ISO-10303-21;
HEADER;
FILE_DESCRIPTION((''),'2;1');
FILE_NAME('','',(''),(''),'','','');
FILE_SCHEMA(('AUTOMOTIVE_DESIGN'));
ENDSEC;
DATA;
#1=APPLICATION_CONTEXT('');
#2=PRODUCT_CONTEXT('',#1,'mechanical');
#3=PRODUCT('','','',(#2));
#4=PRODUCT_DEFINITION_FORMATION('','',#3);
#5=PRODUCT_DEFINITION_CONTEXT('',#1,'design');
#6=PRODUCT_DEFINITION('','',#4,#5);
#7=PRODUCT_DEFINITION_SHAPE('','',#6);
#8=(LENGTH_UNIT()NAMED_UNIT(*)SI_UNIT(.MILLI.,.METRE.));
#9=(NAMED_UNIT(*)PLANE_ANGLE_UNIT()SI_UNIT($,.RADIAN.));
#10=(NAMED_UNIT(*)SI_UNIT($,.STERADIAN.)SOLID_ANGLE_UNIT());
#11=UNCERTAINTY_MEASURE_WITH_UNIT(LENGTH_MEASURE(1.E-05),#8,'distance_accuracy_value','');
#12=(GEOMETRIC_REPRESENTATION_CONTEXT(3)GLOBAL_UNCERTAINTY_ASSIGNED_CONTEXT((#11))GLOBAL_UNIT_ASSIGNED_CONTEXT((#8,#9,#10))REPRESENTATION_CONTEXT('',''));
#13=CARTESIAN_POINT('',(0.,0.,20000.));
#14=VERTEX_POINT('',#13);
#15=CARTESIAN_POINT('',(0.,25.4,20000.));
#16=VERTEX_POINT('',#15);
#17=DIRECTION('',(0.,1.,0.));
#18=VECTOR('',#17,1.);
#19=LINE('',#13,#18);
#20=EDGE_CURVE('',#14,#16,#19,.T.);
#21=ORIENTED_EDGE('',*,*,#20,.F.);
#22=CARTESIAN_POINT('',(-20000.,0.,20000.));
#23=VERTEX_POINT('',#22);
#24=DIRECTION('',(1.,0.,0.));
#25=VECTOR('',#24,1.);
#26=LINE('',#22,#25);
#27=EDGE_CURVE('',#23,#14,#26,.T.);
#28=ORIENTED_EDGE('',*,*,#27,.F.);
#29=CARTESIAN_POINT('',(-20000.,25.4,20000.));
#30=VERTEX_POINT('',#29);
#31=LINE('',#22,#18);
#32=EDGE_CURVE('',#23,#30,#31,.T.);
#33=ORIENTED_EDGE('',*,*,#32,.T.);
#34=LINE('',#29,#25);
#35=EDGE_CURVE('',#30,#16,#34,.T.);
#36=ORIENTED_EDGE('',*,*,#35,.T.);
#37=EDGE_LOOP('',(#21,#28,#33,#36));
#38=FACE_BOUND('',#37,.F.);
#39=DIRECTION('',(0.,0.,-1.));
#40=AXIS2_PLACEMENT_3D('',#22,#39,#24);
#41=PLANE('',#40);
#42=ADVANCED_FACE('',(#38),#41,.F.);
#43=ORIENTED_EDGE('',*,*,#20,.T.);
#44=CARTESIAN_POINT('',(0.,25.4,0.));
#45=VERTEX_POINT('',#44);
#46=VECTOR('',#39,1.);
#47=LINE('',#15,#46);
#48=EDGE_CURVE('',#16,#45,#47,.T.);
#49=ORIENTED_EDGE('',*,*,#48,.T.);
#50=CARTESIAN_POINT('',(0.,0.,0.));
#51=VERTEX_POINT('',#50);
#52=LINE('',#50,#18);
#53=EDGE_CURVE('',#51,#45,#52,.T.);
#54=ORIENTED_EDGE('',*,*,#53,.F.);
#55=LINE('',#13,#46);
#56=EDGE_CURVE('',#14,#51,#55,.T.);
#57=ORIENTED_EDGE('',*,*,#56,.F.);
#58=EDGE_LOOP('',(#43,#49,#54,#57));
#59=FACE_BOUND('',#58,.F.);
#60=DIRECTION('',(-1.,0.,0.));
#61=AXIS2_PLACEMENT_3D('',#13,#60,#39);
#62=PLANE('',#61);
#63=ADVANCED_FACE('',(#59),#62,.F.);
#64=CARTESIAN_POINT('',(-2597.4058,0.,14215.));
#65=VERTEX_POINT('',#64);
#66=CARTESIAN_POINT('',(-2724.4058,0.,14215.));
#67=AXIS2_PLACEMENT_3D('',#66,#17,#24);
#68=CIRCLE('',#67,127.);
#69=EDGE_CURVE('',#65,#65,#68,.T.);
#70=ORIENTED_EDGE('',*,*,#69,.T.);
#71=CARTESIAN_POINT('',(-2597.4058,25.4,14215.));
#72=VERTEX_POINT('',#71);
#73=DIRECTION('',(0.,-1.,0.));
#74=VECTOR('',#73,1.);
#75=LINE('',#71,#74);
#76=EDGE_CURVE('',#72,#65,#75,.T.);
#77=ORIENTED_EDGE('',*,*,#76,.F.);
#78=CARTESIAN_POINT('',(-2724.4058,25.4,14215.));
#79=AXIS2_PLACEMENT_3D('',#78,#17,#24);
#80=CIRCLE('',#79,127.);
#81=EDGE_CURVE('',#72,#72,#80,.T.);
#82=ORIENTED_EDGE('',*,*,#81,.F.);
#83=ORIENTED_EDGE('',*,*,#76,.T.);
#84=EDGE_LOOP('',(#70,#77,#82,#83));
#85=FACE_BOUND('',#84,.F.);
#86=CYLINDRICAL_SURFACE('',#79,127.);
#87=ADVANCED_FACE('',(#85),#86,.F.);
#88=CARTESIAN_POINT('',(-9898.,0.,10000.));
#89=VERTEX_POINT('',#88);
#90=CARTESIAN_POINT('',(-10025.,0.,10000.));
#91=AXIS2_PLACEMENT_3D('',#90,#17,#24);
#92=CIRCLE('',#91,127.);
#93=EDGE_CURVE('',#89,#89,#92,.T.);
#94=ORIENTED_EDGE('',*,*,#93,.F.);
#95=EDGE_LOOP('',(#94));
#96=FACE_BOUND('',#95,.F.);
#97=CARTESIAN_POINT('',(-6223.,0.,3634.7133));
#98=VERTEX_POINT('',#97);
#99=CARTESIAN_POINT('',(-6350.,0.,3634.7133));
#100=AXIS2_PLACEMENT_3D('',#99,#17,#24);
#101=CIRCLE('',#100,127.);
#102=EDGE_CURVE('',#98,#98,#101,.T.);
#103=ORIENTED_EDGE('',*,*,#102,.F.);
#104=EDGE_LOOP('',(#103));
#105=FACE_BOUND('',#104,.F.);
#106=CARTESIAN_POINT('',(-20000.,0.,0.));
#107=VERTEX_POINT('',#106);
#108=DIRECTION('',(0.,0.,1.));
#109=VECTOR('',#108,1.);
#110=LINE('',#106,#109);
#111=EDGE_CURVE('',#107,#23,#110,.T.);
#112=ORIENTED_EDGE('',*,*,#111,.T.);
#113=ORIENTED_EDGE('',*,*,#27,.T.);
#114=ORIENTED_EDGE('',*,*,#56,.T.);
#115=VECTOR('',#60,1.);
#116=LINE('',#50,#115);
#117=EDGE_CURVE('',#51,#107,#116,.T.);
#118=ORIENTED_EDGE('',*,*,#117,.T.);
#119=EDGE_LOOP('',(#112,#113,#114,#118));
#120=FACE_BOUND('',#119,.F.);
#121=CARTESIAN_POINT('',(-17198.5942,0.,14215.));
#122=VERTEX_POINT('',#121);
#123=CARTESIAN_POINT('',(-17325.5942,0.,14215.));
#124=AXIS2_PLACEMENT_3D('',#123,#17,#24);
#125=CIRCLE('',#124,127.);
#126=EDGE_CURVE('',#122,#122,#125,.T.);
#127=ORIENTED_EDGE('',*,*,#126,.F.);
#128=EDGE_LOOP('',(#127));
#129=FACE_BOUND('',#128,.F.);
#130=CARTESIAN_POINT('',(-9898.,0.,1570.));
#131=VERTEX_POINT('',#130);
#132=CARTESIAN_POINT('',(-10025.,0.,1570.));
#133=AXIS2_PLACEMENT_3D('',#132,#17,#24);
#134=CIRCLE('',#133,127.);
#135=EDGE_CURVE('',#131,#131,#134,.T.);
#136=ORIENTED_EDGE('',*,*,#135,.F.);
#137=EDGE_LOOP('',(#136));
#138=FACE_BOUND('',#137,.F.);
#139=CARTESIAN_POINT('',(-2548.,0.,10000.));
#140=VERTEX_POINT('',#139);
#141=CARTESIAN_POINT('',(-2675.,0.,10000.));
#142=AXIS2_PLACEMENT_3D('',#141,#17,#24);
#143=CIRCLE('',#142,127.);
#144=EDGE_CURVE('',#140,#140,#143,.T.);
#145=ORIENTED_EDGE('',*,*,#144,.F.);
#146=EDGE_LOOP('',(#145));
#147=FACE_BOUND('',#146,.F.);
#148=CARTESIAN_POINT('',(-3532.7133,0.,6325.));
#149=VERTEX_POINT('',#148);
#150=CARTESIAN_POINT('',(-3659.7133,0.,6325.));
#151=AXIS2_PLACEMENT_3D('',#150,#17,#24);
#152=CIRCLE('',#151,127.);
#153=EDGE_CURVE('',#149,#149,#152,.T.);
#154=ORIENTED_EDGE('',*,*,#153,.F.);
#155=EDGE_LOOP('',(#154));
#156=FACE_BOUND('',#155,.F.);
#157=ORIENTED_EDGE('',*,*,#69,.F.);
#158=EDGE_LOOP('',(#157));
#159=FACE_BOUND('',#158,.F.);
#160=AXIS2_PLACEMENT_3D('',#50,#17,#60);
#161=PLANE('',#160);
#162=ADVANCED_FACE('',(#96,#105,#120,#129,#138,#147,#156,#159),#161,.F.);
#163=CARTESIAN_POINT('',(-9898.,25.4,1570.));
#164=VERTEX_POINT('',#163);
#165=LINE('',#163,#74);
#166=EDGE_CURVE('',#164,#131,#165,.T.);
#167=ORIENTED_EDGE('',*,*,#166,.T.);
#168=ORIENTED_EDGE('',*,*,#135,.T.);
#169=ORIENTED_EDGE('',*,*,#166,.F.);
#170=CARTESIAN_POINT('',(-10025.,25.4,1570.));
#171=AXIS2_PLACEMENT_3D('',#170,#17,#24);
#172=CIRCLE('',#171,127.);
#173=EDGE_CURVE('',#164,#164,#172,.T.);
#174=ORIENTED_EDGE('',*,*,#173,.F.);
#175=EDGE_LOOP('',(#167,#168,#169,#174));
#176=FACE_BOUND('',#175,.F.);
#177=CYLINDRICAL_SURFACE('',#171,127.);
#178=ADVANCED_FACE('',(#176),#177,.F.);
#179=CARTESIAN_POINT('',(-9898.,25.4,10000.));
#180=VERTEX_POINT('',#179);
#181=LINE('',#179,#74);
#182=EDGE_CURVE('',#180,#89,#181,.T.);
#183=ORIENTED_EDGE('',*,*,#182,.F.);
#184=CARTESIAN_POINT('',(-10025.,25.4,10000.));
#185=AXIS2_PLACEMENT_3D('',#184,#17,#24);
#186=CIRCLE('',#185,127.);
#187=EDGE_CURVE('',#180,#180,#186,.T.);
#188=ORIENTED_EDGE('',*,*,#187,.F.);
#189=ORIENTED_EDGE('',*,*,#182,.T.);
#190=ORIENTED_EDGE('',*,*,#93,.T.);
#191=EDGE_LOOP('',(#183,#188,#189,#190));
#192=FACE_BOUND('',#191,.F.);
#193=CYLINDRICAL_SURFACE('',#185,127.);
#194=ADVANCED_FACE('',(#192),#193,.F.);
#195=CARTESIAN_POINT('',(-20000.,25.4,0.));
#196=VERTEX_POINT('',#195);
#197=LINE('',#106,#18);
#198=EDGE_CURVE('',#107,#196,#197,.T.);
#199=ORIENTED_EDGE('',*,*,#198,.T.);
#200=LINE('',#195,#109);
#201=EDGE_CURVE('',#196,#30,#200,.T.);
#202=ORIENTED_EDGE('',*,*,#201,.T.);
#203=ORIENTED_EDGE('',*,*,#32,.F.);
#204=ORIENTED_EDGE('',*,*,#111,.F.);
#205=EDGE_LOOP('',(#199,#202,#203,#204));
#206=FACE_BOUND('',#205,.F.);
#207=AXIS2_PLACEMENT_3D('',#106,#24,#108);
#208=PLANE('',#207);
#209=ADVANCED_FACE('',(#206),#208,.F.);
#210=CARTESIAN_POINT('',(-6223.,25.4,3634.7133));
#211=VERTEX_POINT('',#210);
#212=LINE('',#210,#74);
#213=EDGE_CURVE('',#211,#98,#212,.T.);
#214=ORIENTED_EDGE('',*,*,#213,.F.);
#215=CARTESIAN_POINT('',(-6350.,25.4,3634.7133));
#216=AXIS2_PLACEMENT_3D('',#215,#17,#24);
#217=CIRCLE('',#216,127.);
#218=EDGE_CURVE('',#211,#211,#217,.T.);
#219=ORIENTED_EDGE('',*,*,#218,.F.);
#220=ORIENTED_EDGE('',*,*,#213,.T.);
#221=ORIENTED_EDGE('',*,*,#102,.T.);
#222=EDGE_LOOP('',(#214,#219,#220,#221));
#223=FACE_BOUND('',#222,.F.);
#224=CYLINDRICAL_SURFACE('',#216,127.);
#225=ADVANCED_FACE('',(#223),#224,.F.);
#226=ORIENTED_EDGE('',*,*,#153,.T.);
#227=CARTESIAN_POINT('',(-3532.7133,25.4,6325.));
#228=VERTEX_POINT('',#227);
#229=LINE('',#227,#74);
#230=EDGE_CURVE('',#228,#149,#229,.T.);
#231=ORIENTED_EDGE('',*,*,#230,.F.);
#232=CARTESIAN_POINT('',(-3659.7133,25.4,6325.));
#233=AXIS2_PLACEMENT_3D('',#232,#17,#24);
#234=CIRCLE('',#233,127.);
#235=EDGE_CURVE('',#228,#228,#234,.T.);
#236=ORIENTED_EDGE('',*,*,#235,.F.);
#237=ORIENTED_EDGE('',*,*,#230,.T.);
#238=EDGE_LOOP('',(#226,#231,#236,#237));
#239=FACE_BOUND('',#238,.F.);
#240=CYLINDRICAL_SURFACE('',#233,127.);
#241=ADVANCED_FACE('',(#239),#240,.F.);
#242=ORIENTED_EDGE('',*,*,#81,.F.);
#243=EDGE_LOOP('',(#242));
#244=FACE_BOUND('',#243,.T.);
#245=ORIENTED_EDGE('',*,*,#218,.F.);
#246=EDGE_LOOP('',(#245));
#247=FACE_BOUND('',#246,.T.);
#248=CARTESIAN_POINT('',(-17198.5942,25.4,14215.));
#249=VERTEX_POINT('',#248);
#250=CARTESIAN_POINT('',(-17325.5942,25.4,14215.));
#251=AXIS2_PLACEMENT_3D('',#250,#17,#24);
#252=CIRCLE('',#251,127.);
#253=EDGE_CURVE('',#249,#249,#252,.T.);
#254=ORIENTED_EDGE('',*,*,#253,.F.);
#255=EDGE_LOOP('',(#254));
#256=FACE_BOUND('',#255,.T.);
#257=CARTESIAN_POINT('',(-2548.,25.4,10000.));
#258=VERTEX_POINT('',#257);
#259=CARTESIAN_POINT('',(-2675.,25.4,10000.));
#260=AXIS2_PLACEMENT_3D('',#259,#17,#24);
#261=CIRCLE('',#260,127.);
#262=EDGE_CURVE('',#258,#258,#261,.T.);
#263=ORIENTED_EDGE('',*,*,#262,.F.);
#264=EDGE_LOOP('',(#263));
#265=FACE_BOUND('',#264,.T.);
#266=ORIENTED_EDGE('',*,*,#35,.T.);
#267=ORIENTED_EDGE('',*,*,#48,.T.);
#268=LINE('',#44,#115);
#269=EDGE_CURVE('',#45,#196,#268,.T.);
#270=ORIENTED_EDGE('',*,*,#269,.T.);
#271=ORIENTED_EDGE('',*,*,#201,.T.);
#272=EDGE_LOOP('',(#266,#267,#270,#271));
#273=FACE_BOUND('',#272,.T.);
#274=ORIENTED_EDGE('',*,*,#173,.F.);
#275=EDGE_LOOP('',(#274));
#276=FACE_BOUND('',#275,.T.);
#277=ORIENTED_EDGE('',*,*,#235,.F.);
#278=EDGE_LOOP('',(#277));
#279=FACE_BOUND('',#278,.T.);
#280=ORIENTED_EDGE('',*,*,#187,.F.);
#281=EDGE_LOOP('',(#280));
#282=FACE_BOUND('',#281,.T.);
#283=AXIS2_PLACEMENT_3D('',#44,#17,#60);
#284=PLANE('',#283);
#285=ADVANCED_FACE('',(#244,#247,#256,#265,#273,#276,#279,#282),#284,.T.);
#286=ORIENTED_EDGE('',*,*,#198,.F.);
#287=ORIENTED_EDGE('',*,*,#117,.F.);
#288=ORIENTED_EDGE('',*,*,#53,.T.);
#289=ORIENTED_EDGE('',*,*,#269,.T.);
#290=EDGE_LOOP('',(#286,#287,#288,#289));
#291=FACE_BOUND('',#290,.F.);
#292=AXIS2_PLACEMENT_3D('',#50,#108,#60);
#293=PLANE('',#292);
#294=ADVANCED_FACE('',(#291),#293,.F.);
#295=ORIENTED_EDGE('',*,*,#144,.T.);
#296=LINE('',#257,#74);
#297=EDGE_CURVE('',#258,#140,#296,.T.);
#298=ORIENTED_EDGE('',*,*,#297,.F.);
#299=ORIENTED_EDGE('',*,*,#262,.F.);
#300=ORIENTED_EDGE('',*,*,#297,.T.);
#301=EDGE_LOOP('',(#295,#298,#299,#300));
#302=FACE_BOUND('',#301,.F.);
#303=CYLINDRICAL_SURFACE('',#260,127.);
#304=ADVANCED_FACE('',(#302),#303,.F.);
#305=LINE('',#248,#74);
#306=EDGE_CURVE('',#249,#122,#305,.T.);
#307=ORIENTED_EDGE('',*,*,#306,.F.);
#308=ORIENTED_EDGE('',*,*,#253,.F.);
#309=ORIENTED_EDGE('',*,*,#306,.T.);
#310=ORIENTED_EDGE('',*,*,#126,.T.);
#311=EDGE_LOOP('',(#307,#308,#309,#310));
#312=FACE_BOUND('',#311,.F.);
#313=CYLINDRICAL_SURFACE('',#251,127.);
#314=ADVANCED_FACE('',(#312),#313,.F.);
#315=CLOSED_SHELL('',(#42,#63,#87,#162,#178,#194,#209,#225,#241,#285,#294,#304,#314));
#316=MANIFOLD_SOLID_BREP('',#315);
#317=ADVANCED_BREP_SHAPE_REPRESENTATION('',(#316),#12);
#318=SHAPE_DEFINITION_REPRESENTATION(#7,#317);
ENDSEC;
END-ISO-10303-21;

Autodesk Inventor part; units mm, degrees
ref_plane "YZ Plane" through (0, 0, 0) normal (1, 0, 0) x (0, 1, 0)
ref_plane "XZ Plane" through (0, 0, 0) normal (0, 1, 0) x (-1, 0, 0)
ref_plane "XY Plane" through (0, 0, 0) normal (0, 0, 1) x (1, 0, 0)
sketch "Sketch1" plane through (0, 0, 0) normal (0, 1, 0) x (-1, 0, 0)
  line L0 (0, 0) -> (20000, 0)
  line L1 (20000, 0) -> (20000, 20000)
  line L2 (20000, 20000) -> (0, 20000)
  line L3 (0, 20000) -> (0, 0)
  dimension "d0" = 20000
  dimension "d1" = 20000
extrude "outer" add sketch "Sketch1" along normal blind 25.4
sketch "Sketch2" plane through (0, 25.4, 0) normal (0, 1, 0) x (1, 0, 0)
  circle A0 centre (-10025, -10000) radius 127
  circle A1 centre (-10025, -1570) radius 127
  circle A2 centre (-2675, -10000) radius 127
  circle A3 centre (-17325.5942, -14215) radius 127
  circle A4 centre (-2724.4058, -14215) radius 127
  circle A5 centre (-3659.7133, -6325) radius 127
  circle A6 centre (-6350, -3634.7133) radius 127
  dimension "d4" = 254
  dimension "d5" = 254
  dimension "d6" = 8430
  dimension "d7" = 254
  dimension "d8" = 7350
  dimension "d11" = 360
  dimension "d15" = 60
extrude "polesPosts" cut sketch "Sketch2" against normal blind 25.4
properties part number "0fasteners"
